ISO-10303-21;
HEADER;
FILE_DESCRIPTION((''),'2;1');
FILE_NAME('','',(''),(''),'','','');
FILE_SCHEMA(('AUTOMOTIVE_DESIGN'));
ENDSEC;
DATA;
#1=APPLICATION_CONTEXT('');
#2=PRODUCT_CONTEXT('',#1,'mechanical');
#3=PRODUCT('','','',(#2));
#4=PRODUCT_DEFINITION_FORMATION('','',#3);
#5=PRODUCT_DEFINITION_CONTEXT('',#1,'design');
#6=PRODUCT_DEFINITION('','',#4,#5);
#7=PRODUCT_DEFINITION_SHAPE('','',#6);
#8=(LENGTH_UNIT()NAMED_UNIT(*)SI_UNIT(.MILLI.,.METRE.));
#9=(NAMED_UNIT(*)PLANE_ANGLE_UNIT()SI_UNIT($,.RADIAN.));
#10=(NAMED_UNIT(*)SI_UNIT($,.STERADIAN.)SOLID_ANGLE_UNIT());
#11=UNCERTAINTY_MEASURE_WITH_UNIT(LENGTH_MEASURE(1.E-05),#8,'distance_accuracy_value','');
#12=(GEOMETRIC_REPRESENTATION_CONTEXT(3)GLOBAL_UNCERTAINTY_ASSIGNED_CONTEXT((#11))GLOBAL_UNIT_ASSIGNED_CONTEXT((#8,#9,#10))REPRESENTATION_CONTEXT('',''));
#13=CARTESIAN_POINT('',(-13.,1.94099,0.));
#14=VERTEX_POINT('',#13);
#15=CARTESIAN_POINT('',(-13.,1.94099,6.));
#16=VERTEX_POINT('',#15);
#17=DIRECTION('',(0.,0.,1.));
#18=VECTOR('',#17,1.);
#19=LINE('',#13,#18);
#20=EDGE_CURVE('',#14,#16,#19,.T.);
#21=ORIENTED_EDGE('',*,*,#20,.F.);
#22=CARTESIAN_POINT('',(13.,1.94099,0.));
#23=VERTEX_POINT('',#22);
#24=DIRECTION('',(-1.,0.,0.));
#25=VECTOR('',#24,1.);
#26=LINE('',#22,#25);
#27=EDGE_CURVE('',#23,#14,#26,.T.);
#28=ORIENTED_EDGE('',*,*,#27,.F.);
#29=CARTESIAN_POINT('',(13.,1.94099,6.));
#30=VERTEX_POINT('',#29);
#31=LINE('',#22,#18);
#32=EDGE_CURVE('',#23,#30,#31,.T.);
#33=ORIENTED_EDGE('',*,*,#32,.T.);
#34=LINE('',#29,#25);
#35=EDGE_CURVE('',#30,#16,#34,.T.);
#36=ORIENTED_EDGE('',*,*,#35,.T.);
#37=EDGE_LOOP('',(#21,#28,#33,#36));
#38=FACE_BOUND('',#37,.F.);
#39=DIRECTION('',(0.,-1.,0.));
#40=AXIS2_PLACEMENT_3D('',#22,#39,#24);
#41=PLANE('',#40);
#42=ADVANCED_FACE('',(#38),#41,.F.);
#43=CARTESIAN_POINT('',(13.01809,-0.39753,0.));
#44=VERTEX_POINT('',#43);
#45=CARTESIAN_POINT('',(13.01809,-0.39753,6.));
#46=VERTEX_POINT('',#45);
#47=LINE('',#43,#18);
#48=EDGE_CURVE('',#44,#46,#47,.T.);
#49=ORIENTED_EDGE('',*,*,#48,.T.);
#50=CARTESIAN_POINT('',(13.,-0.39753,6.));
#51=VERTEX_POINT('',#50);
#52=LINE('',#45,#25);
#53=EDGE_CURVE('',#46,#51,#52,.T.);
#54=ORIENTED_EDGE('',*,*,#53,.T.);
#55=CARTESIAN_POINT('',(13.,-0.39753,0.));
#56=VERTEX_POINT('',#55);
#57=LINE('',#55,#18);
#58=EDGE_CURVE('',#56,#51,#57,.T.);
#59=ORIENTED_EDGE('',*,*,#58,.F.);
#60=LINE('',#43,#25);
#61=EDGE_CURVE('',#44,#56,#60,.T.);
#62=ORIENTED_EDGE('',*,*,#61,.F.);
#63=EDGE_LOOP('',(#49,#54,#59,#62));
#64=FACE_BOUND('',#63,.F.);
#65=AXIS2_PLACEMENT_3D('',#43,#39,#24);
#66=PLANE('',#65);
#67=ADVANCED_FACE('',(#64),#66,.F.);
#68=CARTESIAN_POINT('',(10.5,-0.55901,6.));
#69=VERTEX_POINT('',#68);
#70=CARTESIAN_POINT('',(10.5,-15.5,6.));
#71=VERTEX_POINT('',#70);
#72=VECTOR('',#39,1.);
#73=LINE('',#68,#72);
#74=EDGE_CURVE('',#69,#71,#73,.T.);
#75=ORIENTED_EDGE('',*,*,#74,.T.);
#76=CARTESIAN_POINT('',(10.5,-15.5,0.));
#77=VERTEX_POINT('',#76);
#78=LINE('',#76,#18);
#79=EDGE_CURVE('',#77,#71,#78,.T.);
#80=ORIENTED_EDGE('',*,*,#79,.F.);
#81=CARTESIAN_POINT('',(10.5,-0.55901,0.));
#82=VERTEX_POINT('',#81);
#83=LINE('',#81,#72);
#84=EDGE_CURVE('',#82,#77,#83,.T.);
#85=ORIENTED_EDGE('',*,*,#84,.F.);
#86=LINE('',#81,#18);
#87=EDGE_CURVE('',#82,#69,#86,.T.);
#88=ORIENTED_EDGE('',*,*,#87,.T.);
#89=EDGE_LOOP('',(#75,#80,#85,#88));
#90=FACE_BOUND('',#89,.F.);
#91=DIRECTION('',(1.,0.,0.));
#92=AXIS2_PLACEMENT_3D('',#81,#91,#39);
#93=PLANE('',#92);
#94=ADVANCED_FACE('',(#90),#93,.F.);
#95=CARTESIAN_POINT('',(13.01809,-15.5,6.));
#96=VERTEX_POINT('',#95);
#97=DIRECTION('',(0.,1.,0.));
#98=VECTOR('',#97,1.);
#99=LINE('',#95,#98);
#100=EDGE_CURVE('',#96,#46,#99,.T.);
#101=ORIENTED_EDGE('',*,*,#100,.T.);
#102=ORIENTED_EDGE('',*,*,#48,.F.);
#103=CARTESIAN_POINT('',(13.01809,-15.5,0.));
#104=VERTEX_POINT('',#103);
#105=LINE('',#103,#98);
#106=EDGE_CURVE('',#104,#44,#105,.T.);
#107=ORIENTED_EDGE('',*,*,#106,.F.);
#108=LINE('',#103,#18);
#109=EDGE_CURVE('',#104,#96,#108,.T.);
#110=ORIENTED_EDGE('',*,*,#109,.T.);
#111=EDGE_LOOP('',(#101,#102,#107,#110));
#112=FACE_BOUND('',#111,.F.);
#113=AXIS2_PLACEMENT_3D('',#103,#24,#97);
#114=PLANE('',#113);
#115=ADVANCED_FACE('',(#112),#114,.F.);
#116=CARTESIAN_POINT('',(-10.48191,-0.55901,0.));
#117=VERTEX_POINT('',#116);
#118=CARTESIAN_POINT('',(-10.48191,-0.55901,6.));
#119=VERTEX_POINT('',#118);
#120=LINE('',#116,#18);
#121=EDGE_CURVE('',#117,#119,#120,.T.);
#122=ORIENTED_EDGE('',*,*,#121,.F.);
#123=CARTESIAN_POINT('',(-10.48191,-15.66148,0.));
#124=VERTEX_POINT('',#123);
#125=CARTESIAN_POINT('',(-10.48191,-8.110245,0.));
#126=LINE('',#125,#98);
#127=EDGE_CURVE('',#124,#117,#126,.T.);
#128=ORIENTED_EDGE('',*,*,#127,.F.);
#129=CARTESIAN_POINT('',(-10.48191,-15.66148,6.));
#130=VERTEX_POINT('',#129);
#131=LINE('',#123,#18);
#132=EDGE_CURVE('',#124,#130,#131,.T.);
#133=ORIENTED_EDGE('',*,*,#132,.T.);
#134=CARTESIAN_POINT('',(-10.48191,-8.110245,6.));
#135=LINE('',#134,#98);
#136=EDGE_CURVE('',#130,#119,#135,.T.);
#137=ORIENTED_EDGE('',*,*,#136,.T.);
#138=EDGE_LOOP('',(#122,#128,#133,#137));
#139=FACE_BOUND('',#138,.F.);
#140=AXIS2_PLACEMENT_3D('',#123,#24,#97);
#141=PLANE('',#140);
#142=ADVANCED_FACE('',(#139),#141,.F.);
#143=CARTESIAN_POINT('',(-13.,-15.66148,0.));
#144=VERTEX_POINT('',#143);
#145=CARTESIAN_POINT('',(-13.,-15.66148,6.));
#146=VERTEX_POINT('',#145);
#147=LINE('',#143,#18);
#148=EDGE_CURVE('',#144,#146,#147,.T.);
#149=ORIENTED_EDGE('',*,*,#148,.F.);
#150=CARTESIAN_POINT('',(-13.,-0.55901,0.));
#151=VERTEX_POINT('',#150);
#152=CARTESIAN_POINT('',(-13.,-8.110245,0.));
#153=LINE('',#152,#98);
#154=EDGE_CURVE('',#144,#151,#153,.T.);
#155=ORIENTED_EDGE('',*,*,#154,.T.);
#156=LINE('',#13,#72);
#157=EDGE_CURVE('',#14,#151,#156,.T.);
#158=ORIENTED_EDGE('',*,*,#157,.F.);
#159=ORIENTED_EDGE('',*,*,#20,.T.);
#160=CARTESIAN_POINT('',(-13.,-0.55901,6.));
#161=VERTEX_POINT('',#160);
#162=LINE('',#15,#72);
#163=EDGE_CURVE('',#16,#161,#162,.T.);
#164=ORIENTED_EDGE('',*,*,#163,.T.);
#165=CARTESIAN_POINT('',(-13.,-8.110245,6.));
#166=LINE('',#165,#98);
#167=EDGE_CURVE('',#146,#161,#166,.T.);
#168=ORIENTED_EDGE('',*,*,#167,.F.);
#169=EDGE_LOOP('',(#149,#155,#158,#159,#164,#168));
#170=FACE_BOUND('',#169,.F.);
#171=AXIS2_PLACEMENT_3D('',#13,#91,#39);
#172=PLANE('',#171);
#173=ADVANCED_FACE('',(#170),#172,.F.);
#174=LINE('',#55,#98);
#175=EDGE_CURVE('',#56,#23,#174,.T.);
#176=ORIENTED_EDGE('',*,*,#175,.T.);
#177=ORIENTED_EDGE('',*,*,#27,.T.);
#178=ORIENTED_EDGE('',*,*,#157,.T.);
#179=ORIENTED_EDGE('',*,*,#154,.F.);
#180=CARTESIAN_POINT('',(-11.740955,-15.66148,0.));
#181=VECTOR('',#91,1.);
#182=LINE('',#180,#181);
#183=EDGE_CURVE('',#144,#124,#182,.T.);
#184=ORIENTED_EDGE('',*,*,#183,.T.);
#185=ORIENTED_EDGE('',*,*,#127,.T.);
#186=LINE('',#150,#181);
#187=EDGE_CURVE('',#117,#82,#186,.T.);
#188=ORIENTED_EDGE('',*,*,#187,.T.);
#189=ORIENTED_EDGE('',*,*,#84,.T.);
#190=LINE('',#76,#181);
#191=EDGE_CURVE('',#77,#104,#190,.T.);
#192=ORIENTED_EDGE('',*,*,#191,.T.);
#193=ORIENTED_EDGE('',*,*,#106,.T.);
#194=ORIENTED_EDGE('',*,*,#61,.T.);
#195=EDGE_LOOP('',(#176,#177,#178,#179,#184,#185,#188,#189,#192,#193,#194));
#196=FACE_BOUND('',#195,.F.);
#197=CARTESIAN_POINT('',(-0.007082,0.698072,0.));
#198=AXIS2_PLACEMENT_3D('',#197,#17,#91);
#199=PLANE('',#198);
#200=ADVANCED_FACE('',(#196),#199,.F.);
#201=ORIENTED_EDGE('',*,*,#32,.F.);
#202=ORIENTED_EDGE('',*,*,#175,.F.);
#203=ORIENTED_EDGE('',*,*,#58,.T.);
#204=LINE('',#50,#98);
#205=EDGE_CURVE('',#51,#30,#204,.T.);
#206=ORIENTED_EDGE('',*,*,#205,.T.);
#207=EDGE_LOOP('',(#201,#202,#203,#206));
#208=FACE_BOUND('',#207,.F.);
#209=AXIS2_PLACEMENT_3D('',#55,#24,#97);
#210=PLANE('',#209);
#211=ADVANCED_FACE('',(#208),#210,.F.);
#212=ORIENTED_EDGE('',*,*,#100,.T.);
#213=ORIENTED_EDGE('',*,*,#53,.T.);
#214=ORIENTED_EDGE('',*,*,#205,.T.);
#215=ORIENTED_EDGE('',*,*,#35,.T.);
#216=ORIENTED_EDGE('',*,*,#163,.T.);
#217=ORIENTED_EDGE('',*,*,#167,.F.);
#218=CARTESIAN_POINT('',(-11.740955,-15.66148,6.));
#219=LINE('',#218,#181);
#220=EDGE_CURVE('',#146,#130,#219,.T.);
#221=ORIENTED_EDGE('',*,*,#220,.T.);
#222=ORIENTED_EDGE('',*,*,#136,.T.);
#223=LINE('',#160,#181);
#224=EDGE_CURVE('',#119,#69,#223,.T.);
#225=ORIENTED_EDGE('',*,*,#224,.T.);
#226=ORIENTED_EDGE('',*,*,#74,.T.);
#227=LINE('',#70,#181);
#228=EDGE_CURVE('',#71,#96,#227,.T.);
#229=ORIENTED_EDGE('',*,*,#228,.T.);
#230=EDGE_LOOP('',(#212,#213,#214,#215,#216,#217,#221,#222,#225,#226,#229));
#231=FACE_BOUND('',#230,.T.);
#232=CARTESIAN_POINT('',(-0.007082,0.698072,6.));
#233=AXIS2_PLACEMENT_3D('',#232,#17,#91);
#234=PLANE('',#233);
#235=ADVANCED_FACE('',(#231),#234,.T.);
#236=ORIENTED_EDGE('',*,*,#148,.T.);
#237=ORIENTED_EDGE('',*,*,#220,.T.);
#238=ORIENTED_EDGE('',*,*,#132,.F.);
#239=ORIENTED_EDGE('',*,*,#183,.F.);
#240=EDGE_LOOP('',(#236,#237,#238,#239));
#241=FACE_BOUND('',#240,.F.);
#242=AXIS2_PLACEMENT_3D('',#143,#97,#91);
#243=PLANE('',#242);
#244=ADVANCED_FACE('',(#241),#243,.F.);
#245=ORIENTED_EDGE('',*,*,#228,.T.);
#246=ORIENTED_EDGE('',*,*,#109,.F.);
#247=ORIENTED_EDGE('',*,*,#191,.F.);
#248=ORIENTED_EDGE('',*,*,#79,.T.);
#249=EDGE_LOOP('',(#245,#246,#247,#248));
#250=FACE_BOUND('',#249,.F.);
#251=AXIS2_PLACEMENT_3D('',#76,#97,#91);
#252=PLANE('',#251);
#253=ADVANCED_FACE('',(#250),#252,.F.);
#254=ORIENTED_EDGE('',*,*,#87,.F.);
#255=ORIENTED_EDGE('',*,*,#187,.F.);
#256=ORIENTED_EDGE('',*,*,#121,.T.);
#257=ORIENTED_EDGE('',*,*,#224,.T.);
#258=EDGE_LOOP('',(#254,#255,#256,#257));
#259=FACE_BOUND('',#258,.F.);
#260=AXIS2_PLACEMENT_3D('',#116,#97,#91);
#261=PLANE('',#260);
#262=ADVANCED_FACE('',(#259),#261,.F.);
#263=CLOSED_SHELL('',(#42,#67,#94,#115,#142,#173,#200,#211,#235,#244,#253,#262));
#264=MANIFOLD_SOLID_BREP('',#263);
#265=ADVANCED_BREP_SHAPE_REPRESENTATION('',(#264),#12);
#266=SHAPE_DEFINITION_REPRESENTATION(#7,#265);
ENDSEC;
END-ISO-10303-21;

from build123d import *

# Parameters (mm, degrees)
F0_W     = 2.5180902779
F0_H     = 15.1024697029
F0_W_2   = 2.5
F0_H_2   = 0.1614799052
F1_DEPTH = 6


with BuildPart() as f1:
    # F0 (on Top) → F1 (new body)
    with BuildSketch(Plane.XY):
        Polygon((13, -0.3975302971), (13, 1.9409897977), (-13, 1.9409897977), (-13, -0.5590102023), (-10.4819097221, -0.5590102023), (10.5, -0.5590102023), (10.5, -0.3975302971), align=None)
        with Locations((-11.740954861, -8.1102450538)):
            Rectangle(F0_W, F0_H)
        Polygon((13.0180902779, -0.3975302971), (13, -0.3975302971), (13, -0.5590102023), (10.5, -0.5590102023), (10.5, -15.5), (13.0180902779, -15.5), align=None)
        with Locations((11.75, -0.4782702497)):
            Rectangle(F0_W_2, F0_H_2)
    extrude(amount=F1_DEPTH)


solid = f1.part
